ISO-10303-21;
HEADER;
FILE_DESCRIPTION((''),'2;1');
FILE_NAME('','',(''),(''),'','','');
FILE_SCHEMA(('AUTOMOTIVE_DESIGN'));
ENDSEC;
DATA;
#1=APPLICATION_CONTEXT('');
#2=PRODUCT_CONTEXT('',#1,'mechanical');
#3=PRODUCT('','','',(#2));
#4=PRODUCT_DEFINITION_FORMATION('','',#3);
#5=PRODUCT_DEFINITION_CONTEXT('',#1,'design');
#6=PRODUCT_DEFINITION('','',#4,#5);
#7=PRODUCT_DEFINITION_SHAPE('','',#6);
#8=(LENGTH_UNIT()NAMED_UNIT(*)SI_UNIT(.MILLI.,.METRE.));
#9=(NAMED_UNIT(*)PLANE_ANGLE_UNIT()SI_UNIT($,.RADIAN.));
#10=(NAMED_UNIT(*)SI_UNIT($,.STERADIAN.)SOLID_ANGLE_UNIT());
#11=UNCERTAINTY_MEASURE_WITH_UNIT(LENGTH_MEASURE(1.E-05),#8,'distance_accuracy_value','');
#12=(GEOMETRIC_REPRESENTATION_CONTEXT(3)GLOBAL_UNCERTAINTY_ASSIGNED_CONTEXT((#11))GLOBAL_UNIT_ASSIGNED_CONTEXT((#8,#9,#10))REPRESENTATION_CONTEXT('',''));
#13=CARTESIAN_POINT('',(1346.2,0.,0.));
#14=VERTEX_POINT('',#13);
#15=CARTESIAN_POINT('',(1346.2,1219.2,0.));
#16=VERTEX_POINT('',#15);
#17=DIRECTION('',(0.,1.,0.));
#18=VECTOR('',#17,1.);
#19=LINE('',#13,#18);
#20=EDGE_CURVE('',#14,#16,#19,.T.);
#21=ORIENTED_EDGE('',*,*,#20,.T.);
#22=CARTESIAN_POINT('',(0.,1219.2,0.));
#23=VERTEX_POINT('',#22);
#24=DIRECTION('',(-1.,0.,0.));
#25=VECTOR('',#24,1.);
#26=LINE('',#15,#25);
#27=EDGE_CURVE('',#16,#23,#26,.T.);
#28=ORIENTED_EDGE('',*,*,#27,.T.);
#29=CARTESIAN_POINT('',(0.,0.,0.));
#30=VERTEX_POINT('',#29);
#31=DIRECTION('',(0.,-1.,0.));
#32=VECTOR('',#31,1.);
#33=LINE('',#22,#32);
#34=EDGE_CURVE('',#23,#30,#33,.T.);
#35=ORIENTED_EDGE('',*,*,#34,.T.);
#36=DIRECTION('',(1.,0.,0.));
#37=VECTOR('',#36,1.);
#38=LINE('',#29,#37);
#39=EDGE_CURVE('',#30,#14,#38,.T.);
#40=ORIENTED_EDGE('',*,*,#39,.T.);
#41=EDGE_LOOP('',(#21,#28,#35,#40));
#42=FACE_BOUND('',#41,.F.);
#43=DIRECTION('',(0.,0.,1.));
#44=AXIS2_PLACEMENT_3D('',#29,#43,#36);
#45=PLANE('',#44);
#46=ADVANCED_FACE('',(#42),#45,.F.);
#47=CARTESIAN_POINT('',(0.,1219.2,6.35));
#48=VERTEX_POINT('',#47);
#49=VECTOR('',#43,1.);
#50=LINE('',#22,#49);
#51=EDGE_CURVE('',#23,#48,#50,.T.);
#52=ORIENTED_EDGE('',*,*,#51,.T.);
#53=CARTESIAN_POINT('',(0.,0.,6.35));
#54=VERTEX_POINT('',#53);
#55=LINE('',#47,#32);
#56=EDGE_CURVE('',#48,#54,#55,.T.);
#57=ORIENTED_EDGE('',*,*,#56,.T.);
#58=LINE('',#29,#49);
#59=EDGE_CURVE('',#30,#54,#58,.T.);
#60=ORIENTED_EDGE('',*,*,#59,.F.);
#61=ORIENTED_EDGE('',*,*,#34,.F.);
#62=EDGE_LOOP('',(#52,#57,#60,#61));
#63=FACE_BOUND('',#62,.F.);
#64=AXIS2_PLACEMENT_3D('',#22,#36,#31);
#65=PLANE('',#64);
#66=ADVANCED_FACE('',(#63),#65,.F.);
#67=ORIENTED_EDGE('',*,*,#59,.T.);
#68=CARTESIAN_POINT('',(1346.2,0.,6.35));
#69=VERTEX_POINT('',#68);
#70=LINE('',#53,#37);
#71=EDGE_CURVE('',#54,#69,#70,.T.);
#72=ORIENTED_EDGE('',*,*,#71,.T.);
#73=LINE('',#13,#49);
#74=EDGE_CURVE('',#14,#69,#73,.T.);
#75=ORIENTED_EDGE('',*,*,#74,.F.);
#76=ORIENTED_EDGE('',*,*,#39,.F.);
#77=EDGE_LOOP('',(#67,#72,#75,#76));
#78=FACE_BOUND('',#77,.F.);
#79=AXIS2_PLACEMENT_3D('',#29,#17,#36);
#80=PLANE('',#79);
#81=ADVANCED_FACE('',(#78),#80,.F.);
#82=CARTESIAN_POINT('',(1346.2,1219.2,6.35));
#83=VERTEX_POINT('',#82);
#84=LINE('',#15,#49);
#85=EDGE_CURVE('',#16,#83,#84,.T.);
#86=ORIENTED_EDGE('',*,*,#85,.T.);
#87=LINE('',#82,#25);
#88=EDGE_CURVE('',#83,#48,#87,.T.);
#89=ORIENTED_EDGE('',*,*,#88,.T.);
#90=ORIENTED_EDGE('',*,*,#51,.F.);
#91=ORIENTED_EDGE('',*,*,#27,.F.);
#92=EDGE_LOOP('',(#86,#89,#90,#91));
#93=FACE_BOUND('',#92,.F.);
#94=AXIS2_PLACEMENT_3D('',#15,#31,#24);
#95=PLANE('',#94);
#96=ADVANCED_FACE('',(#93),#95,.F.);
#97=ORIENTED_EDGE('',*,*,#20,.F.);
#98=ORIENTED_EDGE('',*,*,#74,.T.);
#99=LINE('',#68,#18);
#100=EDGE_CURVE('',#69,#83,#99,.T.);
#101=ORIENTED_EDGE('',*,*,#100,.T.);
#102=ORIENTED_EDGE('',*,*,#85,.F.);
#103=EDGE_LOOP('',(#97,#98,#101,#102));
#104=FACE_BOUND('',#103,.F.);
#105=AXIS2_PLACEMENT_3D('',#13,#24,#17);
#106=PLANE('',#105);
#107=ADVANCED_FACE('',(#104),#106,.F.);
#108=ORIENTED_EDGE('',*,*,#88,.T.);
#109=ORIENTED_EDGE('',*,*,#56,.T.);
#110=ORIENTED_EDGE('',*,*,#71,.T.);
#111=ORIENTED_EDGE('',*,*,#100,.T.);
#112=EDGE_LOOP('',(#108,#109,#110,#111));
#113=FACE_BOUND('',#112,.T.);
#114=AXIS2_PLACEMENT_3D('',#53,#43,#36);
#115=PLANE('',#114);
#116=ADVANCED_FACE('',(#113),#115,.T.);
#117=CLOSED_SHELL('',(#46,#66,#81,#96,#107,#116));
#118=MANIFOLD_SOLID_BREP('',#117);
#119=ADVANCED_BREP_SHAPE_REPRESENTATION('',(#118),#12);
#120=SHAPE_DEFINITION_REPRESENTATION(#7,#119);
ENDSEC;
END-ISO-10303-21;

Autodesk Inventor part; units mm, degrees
ref_plane "YZ Plane" through (0, 0, 0) normal (1, 0, 0) x (0, 1, 0)
ref_plane "XZ Plane" through (0, 0, 0) normal (0, 1, 0) x (-1, 0, 0)
ref_plane "XY Plane" through (0, 0, 0) normal (0, 0, 1) x (1, 0, 0)
sketch "Sketch1" plane through (0, 0, 0) normal (0, 0, 1) x (1, 0, 0)
  line L0 (0, 0) -> (1346.2, 0)
  line L1 (1346.2, 0) -> (1346.2, 1219.2)
  line L2 (1346.2, 1219.2) -> (0, 1219.2)
  line L3 (0, 1219.2) -> (0, 0)
  dimension "d0" = 1346.2
  dimension "d1" = 1219.2
extrude "Extrusion1" add sketch "Sketch1" along normal blind 6.35
properties part number "front-panel" material "Polycarbonate, Clear"
